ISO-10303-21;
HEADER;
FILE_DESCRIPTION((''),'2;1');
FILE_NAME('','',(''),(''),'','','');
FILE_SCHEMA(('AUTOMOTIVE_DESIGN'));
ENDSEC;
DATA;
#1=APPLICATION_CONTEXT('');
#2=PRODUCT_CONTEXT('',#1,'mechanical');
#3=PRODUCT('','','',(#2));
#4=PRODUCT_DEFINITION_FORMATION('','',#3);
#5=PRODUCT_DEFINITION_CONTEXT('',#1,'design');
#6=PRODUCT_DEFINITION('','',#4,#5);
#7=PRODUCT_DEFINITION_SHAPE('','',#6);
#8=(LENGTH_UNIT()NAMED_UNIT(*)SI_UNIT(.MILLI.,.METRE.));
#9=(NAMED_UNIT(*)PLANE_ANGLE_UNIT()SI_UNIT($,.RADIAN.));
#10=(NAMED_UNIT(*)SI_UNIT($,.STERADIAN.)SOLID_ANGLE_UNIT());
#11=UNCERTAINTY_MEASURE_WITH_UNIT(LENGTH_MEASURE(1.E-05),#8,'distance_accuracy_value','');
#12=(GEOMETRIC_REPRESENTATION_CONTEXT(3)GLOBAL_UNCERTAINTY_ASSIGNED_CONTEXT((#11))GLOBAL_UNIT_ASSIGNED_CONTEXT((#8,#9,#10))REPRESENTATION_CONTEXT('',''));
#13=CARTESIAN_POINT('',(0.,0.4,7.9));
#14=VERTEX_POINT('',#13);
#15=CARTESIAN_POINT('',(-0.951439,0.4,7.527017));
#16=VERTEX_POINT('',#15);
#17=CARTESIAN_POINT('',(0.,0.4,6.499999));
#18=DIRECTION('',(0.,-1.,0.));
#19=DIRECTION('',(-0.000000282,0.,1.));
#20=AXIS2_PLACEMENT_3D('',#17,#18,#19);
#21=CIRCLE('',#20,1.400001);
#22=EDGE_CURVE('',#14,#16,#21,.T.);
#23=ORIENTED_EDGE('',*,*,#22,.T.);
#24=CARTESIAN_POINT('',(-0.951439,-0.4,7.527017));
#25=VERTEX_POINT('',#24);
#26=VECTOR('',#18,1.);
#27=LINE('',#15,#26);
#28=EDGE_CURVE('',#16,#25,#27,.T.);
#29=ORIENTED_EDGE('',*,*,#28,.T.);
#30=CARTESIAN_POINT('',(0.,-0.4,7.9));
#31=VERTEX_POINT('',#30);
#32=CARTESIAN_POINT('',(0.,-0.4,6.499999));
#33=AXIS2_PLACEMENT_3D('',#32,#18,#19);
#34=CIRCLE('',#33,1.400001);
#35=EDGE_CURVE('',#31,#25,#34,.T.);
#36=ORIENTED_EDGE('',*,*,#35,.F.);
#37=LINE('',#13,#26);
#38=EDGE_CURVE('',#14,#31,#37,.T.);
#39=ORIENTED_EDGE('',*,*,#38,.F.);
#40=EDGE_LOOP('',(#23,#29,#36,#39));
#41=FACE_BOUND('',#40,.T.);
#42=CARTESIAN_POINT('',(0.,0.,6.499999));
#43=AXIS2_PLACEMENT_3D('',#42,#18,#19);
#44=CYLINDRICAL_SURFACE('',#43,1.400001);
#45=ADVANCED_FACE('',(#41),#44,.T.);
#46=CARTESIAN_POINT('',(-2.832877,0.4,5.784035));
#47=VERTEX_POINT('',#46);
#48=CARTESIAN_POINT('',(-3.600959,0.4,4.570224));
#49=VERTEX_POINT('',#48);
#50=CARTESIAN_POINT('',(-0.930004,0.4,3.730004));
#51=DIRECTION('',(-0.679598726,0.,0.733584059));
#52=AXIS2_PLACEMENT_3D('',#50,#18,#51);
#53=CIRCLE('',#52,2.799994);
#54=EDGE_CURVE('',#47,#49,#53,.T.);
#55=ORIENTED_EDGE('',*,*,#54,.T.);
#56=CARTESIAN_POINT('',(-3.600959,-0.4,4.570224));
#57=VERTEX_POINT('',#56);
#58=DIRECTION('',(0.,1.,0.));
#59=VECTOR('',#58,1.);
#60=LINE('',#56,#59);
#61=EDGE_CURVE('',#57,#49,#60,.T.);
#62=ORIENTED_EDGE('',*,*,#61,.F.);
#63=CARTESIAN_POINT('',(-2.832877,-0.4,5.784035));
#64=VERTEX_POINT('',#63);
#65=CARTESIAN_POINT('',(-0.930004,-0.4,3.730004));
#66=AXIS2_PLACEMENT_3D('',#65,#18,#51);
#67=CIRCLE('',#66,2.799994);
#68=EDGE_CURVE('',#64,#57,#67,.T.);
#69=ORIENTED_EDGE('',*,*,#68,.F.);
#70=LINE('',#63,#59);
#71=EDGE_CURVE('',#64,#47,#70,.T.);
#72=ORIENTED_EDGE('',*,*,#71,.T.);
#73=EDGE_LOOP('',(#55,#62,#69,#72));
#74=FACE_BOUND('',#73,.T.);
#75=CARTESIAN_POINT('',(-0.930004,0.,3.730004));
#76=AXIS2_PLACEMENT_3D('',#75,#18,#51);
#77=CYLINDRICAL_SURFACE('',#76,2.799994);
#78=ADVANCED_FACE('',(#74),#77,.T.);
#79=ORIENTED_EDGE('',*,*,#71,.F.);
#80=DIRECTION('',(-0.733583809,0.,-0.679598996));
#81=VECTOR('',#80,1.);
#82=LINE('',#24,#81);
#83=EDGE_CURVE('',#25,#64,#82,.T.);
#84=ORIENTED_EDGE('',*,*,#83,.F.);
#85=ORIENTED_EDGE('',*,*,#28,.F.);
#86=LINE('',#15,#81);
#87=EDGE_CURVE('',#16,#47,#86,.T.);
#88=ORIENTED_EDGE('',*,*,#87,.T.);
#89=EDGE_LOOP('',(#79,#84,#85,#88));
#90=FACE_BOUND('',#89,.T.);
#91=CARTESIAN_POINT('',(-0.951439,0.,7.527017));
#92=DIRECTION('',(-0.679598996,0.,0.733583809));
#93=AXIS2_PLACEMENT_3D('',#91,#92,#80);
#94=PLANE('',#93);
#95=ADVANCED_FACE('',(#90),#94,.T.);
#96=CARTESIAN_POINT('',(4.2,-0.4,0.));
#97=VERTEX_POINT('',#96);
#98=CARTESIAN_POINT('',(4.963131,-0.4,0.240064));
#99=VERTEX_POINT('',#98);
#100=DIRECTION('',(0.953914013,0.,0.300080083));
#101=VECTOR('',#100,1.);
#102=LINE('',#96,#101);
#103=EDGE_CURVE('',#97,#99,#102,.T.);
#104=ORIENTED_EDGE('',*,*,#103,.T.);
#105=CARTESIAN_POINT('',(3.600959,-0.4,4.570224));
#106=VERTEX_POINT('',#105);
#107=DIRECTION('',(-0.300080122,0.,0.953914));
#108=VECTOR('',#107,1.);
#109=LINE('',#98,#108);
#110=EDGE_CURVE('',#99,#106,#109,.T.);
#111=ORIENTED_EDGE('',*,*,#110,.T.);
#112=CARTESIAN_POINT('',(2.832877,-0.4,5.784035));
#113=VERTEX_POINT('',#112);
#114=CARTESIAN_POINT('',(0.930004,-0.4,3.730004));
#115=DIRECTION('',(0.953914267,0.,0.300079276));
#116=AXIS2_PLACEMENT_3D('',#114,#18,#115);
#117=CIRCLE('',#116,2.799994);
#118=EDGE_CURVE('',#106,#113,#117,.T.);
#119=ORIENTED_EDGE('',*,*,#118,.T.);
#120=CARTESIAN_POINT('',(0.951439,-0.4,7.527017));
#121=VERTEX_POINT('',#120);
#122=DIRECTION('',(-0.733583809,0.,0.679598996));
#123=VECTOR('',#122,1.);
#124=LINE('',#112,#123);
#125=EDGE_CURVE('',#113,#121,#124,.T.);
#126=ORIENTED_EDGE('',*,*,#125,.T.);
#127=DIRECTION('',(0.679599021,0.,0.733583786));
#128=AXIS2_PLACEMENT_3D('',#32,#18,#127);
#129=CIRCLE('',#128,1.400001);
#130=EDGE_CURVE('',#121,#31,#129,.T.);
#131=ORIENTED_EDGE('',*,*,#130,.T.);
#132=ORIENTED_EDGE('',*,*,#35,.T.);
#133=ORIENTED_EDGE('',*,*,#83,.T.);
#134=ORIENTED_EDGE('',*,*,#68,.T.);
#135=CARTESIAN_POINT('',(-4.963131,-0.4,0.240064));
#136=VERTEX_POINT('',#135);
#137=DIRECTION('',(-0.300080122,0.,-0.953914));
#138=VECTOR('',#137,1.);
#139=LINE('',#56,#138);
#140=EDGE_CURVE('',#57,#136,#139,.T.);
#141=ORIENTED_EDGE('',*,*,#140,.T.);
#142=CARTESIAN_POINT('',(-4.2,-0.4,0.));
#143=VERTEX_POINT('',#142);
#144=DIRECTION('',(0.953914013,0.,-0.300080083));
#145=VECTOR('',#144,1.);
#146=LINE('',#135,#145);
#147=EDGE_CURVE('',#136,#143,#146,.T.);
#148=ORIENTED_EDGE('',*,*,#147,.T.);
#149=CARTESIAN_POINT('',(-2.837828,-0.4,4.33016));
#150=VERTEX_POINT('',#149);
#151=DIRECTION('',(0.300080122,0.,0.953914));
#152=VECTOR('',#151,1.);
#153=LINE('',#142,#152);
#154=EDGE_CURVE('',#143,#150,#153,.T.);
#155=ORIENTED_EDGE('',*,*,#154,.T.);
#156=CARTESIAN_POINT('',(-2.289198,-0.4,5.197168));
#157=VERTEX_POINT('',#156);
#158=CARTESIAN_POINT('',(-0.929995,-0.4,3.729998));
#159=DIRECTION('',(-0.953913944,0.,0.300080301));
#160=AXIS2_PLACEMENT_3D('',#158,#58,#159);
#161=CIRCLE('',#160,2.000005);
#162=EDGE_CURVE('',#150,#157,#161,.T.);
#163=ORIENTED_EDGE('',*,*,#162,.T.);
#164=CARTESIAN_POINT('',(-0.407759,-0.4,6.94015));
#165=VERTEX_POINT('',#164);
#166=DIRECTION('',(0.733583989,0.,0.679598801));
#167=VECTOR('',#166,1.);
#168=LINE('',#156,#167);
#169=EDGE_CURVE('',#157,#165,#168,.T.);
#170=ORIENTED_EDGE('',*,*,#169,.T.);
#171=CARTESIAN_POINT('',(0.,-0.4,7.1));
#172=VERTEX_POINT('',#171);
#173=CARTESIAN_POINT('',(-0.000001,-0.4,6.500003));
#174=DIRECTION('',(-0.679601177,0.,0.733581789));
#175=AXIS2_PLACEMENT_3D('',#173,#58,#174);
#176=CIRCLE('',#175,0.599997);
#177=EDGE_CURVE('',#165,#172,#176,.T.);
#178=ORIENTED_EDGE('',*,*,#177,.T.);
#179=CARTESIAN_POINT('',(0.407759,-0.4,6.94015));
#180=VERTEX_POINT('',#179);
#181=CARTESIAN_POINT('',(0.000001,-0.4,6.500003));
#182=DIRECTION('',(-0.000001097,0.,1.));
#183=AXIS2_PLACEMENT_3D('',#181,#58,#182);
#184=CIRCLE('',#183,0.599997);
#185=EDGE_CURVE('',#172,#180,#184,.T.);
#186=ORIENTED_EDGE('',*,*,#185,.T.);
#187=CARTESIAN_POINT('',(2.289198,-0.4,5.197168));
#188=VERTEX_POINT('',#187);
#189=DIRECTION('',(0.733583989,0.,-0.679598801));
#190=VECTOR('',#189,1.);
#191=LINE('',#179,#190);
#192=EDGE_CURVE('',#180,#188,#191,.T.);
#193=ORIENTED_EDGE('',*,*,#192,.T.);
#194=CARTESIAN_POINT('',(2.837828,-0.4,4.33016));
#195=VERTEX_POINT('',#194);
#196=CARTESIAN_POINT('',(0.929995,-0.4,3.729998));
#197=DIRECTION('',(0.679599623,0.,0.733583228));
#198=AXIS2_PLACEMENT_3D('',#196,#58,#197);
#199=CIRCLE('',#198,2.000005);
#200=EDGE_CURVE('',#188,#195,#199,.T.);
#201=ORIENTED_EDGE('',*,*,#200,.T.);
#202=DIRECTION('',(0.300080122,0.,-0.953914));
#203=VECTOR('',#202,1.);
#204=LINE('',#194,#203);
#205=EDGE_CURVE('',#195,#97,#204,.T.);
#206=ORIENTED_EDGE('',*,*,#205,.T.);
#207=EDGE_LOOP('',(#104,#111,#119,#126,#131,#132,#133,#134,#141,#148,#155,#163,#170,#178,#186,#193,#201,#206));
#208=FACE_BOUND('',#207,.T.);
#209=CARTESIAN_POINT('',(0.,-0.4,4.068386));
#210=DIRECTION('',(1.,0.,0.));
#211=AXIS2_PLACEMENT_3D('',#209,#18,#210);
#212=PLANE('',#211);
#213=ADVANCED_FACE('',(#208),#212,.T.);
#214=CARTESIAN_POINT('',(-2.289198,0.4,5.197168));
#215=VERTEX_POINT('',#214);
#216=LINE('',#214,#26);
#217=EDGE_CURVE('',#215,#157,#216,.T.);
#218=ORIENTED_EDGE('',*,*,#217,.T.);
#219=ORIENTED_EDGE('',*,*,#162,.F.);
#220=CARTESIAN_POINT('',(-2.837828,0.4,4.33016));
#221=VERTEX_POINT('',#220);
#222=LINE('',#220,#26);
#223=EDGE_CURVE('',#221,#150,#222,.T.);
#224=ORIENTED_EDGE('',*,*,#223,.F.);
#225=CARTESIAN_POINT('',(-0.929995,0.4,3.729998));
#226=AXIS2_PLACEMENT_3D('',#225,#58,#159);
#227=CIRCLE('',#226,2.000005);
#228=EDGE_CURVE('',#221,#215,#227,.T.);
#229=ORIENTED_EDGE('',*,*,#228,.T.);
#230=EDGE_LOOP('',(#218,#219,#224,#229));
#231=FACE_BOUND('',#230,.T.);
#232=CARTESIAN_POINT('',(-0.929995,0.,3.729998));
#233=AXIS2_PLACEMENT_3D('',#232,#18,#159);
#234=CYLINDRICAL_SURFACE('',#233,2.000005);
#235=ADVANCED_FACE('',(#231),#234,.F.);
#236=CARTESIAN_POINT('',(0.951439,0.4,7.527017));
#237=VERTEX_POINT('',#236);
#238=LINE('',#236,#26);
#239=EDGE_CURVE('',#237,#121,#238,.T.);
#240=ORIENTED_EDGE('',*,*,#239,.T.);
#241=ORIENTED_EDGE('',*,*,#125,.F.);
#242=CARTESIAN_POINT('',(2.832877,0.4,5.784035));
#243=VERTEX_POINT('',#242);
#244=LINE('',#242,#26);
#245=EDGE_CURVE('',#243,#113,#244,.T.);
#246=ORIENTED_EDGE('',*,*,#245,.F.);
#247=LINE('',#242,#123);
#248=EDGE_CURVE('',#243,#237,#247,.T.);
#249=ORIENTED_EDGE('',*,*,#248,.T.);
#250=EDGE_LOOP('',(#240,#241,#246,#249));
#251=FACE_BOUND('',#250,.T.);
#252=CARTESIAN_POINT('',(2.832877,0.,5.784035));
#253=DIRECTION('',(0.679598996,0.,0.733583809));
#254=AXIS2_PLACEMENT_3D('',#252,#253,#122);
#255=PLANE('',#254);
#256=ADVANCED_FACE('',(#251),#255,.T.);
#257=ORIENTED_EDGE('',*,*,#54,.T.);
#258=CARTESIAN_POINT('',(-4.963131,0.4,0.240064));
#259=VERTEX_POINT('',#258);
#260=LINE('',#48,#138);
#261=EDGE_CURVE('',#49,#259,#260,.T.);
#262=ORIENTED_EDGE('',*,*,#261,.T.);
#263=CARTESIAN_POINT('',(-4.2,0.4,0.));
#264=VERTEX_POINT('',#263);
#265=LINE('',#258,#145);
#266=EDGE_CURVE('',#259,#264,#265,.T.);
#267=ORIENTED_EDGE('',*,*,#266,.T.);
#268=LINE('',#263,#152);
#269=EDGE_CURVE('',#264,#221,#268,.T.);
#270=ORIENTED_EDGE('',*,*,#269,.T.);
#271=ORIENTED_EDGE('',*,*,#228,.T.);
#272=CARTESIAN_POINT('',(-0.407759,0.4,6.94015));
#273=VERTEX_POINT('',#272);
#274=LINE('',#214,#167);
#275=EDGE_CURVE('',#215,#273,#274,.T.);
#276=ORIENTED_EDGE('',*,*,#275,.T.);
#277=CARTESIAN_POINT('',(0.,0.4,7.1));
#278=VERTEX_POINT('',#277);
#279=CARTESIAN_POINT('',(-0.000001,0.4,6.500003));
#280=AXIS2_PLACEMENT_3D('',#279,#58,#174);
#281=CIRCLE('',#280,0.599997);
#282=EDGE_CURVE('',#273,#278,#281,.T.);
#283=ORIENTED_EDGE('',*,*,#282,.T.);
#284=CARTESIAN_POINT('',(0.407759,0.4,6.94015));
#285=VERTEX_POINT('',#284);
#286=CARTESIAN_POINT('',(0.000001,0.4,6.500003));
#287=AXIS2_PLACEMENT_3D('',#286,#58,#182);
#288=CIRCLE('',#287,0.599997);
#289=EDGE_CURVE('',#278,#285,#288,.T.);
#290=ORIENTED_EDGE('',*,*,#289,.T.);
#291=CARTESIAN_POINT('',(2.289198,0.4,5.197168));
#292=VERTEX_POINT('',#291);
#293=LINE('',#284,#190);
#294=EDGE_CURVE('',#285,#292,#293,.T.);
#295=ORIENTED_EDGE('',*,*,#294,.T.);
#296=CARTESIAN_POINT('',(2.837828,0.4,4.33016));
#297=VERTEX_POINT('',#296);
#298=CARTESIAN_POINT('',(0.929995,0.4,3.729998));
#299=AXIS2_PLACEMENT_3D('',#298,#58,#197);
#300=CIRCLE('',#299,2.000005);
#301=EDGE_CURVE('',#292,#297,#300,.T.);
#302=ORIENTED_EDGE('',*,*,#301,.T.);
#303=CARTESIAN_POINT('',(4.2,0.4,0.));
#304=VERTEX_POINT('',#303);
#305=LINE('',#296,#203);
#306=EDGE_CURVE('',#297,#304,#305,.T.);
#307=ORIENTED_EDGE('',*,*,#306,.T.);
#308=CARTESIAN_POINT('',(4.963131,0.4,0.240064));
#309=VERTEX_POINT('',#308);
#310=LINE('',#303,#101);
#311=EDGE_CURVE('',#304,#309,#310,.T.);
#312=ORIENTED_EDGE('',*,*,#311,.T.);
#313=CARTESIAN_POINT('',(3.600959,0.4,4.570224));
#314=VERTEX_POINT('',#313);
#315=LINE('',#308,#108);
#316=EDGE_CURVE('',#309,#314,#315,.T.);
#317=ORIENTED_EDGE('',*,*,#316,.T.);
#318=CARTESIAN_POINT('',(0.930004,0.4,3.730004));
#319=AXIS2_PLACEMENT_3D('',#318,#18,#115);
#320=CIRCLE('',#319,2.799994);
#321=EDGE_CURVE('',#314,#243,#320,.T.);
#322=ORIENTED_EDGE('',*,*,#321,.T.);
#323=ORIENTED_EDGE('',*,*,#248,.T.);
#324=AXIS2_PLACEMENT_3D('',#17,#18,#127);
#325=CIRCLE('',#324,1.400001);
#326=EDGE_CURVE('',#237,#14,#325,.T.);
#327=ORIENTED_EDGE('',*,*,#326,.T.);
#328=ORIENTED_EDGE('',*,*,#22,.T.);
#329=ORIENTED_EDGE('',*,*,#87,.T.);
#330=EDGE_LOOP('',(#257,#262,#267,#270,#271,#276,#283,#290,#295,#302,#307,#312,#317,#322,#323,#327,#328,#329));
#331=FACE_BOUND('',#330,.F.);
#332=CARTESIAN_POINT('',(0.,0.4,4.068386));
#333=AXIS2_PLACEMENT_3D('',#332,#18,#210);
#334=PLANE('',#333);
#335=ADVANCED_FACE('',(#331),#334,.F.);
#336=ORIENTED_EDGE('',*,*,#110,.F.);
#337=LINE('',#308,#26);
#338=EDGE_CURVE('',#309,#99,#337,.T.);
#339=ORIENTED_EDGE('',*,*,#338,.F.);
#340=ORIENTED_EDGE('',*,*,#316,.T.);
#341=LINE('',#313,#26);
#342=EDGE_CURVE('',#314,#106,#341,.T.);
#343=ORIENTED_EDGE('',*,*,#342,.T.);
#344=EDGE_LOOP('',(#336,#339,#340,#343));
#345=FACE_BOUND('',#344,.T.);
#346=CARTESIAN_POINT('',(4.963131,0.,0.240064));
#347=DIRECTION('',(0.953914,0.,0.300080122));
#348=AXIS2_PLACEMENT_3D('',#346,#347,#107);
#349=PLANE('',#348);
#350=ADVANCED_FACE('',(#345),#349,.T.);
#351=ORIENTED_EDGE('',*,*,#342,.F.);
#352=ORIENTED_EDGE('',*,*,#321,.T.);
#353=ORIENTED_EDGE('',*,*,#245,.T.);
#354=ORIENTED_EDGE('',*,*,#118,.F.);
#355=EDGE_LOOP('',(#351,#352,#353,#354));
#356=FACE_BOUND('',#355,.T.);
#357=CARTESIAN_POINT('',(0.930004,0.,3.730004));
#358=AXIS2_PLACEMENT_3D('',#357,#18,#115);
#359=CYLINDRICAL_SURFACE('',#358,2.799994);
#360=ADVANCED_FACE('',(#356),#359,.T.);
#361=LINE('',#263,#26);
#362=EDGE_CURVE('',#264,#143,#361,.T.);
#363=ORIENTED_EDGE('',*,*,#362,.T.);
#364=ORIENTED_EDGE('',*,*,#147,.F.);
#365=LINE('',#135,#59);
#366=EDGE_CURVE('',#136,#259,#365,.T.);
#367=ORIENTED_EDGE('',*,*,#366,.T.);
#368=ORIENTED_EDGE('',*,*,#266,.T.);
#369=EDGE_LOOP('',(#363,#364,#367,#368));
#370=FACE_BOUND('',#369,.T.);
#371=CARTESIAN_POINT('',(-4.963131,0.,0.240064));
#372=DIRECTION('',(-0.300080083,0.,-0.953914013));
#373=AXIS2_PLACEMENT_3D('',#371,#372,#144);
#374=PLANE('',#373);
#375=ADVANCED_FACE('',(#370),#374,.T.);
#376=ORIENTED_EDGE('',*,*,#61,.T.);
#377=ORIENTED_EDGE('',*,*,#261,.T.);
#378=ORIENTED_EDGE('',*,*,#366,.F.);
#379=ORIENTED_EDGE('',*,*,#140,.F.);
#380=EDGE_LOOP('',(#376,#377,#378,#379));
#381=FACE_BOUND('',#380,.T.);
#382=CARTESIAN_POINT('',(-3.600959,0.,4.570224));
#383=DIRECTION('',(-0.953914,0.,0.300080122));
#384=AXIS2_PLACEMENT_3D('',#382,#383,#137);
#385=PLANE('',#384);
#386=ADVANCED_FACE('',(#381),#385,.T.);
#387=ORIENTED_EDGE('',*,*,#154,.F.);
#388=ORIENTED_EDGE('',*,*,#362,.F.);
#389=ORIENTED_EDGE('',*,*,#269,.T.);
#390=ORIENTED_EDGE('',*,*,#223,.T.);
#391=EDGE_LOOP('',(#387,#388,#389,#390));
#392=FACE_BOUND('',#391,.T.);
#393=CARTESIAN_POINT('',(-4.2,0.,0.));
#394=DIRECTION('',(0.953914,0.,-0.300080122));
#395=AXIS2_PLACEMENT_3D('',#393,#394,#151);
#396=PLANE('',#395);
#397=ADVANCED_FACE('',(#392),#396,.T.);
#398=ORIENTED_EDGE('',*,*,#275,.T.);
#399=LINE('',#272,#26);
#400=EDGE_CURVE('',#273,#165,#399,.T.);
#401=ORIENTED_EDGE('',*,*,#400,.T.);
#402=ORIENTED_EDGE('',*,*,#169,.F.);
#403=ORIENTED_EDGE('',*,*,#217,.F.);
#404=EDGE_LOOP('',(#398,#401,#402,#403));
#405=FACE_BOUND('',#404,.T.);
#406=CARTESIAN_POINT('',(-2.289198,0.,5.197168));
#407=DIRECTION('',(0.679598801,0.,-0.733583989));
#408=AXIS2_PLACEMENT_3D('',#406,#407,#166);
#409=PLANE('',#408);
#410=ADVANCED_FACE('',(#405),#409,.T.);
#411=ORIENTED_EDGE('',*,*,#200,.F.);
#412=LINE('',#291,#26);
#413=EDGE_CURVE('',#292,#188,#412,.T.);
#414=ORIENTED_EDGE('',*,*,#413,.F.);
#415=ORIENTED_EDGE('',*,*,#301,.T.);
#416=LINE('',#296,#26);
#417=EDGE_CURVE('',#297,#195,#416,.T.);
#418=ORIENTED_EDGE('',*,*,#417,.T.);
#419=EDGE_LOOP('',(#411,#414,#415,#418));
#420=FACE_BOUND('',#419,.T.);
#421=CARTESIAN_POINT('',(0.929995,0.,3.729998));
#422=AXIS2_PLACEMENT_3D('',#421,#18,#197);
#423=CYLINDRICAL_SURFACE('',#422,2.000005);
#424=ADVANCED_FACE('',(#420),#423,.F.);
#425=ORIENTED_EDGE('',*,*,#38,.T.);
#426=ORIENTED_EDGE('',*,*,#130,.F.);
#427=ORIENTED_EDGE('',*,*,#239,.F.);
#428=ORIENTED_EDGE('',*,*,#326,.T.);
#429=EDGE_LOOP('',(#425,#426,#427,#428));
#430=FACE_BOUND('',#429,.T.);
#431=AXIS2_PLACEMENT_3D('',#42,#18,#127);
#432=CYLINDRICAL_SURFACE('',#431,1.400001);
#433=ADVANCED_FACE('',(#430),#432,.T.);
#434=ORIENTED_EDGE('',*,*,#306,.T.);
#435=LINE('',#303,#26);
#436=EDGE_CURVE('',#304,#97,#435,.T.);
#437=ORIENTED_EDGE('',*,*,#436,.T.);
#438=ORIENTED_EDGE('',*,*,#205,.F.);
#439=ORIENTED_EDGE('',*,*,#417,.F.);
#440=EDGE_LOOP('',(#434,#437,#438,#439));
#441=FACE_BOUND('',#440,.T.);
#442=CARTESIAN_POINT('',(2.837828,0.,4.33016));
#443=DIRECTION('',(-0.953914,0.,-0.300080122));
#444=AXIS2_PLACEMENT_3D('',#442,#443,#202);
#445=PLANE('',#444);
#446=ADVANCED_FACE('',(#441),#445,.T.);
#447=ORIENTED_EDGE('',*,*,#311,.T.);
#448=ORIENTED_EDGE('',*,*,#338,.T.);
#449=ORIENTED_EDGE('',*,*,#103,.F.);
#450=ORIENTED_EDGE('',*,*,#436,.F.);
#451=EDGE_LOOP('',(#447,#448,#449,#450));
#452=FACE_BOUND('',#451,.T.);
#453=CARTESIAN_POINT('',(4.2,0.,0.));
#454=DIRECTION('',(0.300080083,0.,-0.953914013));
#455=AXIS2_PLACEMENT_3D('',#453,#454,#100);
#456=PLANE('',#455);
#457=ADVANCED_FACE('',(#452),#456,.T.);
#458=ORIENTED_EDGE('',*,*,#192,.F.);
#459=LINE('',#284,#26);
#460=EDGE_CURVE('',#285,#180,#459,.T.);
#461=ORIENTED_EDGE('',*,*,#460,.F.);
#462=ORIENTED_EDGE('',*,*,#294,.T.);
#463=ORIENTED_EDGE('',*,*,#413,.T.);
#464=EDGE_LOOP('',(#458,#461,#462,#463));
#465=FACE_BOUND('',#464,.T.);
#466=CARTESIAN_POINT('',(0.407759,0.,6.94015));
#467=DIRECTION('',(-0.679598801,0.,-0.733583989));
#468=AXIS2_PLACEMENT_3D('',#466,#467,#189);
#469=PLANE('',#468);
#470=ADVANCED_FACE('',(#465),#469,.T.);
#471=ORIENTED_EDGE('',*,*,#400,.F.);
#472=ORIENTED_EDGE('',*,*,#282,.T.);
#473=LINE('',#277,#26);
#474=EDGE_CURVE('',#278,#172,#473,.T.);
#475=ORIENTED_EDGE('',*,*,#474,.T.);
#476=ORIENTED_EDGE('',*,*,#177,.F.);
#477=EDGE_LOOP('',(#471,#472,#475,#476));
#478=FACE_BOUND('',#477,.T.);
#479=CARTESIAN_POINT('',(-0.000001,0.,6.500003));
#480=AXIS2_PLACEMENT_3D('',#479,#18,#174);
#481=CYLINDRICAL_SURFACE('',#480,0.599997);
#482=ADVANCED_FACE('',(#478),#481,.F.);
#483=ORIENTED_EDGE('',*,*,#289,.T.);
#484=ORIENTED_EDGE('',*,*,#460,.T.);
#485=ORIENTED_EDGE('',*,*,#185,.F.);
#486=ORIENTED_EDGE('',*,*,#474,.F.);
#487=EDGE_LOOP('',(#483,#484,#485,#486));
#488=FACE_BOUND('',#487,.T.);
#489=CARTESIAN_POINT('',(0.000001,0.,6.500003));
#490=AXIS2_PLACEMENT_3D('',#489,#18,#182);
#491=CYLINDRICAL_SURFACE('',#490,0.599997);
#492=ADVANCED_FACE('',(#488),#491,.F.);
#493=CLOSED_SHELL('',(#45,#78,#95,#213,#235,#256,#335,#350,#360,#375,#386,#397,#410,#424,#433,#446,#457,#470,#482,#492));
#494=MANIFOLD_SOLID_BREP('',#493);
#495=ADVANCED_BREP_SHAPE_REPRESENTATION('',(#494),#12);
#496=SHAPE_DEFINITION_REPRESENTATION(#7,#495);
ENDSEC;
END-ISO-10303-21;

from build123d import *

# Parameters (mm, degrees)
F1_DEPTH = 0.4


with BuildPart() as f1:
    # F0 (on Front) → F1 (new body, symmetric)
    with BuildSketch(Plane.XZ):
        with BuildLine():
            Line((-4.963131, 0.240064), (-4.2, 0))
            Line((-4.2, 0), (-2.837828, 4.33016))
            ThreePointArc((-2.837828, 4.33016), (-2.620056, 4.799444), (-2.289198, 5.197168))
            Line((-2.289198, 5.197168), (-0.407759, 6.94015))
            ThreePointArc((-0.407759, 6.94015), (-0.218986, 7.05861), (0, 7.1))
            ThreePointArc((0, 7.1), (0.218986, 7.05861), (0.407759, 6.94015))
            Line((0.407759, 6.94015), (2.289198, 5.197168))
            ThreePointArc((2.289198, 5.197168), (2.620056, 4.799444), (2.837828, 4.33016))
            Line((2.837828, 4.33016), (4.2, 0))
            Line((4.2, 0), (4.963131, 0.240064))
            Line((4.963131, 0.240064), (3.600959, 4.570224))
            ThreePointArc((3.600959, 4.570224), (3.296079, 5.227221), (2.832877, 5.784035))
            Line((2.832877, 5.784035), (0.951439, 7.527017))
            ThreePointArc((0.951439, 7.527017), (0.510968, 7.803423), (0, 7.9))
            ThreePointArc((0, 7.9), (-0.510968, 7.803423), (-0.951439, 7.527017))
            Line((-0.951439, 7.527017), (-2.832877, 5.784035))
            ThreePointArc((-2.832877, 5.784035), (-3.296079, 5.227221), (-3.600959, 4.570224))
            Line((-3.600959, 4.570224), (-4.963131, 0.240064))
        make_face()
    extrude(amount=F1_DEPTH, both=True)


solid = f1.part
